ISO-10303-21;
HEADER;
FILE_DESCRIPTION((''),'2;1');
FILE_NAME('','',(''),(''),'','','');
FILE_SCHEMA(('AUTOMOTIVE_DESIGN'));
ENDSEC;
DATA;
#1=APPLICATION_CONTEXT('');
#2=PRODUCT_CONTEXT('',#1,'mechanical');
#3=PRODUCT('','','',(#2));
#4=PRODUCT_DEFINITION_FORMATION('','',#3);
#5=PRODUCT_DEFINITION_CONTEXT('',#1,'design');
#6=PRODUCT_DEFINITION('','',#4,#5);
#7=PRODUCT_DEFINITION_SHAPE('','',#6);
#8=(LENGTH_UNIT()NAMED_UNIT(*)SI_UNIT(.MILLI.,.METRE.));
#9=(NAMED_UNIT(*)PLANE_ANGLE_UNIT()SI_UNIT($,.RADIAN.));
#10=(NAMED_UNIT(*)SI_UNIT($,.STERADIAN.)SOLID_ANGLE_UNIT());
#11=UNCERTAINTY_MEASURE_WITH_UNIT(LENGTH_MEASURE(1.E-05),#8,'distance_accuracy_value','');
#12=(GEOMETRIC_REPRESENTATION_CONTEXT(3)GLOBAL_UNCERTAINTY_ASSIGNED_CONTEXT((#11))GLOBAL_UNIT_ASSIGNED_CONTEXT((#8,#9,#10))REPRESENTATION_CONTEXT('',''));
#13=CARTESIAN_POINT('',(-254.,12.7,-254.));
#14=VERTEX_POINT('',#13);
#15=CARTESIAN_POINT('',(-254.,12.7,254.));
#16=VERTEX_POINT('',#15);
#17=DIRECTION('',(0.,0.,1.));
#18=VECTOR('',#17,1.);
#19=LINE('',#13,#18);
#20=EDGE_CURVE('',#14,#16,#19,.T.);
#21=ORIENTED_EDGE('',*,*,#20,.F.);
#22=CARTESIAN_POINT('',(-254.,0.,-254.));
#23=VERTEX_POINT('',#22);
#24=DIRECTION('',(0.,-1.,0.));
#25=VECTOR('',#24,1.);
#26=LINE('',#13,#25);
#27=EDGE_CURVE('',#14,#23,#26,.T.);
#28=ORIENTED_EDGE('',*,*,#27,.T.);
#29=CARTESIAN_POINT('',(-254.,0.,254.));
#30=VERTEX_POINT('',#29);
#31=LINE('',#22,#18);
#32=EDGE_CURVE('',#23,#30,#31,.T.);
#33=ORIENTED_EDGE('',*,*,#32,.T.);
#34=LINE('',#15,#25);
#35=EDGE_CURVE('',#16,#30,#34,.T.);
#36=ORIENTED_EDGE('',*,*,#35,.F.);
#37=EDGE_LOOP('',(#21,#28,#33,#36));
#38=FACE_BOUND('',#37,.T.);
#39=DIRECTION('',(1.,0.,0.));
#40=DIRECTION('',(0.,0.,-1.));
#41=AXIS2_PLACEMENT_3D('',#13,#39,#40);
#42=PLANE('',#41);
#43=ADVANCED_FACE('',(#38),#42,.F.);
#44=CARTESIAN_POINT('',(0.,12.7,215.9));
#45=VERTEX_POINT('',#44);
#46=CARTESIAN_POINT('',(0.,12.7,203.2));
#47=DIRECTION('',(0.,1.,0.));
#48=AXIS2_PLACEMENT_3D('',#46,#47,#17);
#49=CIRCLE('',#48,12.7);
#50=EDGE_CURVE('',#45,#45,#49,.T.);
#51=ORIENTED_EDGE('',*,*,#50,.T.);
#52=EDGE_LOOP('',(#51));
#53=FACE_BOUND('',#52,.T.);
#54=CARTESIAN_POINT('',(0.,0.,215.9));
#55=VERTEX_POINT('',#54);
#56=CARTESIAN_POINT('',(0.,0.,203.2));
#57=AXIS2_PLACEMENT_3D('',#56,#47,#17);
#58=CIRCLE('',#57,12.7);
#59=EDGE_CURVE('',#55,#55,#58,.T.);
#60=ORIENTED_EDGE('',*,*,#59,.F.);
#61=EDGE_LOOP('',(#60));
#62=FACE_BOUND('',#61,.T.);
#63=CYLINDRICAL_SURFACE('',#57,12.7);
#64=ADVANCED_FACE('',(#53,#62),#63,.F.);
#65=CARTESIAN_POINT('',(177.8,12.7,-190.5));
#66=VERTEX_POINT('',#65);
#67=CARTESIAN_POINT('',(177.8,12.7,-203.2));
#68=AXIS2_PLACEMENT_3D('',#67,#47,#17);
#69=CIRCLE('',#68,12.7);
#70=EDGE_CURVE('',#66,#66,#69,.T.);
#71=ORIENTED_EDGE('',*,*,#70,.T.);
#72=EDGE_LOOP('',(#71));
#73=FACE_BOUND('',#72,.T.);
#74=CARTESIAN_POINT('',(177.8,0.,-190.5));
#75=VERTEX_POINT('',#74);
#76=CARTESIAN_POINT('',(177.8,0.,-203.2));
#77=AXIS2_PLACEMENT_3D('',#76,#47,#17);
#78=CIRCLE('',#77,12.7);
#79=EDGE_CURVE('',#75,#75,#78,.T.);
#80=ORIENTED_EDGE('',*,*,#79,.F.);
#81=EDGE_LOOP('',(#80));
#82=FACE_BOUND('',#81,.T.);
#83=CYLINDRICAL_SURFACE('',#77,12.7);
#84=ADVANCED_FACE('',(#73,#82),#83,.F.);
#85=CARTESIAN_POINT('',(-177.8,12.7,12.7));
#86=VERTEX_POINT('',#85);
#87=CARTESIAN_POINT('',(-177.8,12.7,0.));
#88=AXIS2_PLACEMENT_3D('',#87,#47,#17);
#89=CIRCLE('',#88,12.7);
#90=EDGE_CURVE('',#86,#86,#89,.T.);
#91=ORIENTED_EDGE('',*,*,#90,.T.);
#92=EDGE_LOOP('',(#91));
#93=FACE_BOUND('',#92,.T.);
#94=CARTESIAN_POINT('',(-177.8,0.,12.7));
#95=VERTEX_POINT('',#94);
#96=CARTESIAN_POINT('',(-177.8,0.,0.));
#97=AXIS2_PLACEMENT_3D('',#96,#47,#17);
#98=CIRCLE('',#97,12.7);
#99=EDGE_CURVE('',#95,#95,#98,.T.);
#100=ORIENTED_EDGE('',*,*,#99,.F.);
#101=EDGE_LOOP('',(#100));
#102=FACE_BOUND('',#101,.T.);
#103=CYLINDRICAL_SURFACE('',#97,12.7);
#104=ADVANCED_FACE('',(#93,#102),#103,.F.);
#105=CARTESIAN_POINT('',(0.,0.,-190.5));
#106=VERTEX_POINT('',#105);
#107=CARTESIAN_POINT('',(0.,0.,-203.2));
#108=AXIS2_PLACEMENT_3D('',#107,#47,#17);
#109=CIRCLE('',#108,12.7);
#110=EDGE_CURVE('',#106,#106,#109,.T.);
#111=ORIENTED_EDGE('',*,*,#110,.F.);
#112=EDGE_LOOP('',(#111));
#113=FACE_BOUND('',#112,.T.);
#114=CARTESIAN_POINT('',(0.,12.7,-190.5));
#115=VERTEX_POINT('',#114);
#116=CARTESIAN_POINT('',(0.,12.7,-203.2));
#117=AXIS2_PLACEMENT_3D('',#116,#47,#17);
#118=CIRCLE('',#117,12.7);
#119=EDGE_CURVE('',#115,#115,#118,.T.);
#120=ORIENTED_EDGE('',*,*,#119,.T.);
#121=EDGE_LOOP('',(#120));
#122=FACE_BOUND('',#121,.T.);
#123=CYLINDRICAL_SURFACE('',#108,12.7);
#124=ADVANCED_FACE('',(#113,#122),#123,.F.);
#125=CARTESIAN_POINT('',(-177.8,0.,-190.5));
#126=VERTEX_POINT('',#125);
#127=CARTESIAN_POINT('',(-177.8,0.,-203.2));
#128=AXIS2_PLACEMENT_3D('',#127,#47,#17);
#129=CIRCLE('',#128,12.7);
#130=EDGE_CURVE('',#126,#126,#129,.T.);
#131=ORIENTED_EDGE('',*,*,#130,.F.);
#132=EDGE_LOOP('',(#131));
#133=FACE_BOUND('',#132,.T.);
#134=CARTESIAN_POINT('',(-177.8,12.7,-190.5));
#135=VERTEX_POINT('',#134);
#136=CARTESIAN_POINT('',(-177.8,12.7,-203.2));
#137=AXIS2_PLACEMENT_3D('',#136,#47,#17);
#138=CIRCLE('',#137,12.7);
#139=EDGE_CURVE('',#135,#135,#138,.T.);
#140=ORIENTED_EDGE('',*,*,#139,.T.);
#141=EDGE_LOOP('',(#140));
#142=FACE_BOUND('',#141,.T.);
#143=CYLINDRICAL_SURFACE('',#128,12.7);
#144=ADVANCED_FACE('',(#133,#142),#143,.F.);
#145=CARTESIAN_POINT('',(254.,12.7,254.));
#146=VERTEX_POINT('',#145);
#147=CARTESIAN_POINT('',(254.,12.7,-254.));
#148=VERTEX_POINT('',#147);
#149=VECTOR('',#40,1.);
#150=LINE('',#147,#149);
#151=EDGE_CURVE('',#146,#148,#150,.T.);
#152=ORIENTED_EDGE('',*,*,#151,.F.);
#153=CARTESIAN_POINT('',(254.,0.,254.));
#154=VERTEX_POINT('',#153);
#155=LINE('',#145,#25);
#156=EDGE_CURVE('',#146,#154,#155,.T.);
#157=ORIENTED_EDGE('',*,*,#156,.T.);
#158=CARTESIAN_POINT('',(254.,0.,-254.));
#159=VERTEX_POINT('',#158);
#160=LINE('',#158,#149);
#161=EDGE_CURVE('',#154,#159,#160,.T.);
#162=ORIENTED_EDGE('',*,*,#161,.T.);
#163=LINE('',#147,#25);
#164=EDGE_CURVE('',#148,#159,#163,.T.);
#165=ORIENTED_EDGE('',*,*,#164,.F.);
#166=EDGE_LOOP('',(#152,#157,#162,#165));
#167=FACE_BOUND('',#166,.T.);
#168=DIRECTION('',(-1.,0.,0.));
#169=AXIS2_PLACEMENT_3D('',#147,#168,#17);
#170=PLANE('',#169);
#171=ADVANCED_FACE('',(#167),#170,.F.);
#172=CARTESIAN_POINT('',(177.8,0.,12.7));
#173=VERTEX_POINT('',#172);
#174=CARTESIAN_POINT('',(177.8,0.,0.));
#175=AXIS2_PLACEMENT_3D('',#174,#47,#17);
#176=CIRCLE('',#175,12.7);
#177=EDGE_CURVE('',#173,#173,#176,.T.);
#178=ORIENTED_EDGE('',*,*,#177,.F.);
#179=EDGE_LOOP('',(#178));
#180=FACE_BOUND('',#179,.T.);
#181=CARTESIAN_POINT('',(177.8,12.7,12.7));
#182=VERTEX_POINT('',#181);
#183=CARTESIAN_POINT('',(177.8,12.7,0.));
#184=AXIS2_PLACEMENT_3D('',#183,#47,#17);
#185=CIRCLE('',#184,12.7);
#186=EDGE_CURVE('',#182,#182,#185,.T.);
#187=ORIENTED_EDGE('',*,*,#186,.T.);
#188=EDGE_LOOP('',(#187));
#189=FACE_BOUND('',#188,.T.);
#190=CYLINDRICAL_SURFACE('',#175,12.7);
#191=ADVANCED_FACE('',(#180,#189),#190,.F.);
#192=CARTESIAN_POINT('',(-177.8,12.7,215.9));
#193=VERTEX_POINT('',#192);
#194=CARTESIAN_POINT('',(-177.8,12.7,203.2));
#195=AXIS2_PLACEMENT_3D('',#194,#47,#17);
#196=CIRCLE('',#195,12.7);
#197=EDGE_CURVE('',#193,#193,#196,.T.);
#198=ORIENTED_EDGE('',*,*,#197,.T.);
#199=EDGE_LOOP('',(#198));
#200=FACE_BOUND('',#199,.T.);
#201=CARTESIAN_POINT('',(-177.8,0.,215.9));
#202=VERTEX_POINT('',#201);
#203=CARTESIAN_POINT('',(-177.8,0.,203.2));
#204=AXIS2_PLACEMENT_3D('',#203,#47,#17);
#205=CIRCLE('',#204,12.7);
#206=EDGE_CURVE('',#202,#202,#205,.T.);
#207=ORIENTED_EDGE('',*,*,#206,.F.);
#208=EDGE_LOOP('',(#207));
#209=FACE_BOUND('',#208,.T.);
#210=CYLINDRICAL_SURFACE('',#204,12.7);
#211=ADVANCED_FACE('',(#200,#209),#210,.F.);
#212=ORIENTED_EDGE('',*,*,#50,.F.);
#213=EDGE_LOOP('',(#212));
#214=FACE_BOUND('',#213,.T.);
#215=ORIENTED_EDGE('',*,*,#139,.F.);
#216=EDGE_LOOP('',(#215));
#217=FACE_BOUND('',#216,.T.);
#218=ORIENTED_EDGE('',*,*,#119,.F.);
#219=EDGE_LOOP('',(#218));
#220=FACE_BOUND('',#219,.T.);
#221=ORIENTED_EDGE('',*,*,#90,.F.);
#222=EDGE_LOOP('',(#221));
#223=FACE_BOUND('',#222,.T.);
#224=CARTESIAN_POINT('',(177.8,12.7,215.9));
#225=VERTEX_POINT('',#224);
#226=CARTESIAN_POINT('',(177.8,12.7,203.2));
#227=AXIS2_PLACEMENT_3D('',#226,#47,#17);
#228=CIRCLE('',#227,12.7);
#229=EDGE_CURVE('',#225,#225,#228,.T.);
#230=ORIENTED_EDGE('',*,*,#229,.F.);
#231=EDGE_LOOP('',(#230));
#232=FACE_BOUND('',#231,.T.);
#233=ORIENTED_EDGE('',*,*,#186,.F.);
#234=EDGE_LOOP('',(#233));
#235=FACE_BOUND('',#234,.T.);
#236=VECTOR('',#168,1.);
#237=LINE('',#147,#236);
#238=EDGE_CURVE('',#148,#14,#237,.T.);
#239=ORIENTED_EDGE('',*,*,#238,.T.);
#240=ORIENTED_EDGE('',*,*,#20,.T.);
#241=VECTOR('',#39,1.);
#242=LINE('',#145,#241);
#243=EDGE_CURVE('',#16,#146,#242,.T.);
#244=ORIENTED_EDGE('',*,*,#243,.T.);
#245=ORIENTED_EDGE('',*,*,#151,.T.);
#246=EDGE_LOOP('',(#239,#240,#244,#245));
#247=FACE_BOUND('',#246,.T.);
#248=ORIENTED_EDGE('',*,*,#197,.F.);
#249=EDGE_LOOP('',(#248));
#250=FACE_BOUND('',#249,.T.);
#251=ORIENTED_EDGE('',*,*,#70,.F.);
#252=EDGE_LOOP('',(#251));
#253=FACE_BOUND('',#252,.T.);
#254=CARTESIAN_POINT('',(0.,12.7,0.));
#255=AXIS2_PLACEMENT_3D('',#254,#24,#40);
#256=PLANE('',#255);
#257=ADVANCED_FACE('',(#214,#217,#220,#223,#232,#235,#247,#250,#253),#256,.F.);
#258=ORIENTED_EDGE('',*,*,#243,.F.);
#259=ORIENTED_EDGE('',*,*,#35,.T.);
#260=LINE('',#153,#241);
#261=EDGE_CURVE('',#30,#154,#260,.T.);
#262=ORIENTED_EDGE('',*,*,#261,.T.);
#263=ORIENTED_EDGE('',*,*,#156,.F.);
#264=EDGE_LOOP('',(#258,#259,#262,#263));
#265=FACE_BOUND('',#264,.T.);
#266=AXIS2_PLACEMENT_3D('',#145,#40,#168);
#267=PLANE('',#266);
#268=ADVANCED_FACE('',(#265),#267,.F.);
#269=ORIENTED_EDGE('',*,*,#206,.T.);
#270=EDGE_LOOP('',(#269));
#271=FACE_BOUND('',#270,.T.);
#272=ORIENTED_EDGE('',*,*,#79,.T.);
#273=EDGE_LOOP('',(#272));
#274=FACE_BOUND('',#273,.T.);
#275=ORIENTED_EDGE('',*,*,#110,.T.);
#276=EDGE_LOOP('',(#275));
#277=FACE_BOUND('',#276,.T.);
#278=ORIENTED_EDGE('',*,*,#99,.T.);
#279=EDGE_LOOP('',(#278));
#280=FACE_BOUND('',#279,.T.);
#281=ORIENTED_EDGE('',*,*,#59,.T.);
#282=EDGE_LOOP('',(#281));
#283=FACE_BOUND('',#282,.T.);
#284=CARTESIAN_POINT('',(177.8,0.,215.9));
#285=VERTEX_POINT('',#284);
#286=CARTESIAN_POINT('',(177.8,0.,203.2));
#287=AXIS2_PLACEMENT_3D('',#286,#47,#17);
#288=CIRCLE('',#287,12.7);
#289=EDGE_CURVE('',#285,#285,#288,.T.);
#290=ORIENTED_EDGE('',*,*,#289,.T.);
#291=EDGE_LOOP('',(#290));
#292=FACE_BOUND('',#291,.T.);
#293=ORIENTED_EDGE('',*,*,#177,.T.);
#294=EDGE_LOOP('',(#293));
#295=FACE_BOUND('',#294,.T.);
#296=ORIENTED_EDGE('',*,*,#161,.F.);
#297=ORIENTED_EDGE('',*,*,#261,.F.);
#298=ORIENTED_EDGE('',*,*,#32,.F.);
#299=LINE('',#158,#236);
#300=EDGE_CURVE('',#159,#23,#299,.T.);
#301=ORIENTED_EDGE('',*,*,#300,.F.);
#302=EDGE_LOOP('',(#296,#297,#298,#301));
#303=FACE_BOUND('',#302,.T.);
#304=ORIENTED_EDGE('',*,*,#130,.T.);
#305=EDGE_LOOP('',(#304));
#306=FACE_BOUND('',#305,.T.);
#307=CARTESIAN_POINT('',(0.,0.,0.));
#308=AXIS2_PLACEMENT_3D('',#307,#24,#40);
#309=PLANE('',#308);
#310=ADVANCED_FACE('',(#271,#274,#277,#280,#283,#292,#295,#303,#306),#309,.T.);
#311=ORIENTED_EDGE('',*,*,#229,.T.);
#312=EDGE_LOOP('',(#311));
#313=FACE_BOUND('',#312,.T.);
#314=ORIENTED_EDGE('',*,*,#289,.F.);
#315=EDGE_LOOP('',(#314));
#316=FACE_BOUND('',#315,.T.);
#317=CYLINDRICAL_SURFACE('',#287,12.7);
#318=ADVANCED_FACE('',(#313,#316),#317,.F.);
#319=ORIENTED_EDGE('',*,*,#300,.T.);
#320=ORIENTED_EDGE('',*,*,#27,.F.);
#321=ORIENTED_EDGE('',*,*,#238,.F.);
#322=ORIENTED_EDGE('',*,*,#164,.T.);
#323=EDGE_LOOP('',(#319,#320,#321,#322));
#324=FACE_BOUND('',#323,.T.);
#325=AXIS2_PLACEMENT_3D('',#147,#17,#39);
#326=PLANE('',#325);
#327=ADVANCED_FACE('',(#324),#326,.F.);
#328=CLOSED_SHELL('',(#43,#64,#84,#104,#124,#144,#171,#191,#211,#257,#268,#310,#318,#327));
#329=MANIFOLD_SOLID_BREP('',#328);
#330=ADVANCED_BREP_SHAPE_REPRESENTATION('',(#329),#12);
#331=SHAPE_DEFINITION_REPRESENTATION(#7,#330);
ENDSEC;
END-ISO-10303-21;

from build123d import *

# Parameters (mm, degrees)
SKETCH1_W           = 508
SKETCH1_H           = 508
BOSS_EXTRUDE1_DEPTH = 12.7
SKETCH2_R           = 12.7
CUT_EXTRUDE1_DEPTH  = 360.434681131


with BuildPart() as part:
    # Sketch1 → Boss-Extrude1 (new body)
    with BuildSketch(Plane(origin=(0, 0, 0), x_dir=(1, 0, 0), z_dir=(0, 1, 0))):
        Rectangle(SKETCH1_W, SKETCH1_H)
    extrude(amount=BOSS_EXTRUDE1_DEPTH)

    # Sketch2 → Cut-Extrude1 (cut, through all)
    with BuildSketch(Plane(origin=(0, 12.7, 0), x_dir=(1, 0, 0), z_dir=(0, 1, 0))):
        with Locations(Location((-177.8, 203.2, 0), (0, 0, 270))):
            Circle(SKETCH2_R)
        with Locations(Location((0, 203.2, 0), (0, 0, 270))):
            Circle(SKETCH2_R)
        with Locations(Location((177.8, 203.2, 0), (0, 0, 270))):
            Circle(SKETCH2_R)
        with Locations(Location((-177.8, 0, 0), (0, 0, 270))):
            Circle(SKETCH2_R)
        with Locations(Location((177.8, 0, 0), (0, 0, 270))):
            Circle(SKETCH2_R)
        with Locations(Location((-177.8, -203.2, 0), (0, 0, 270))):
            Circle(SKETCH2_R)
        with Locations(Location((0, -203.2, 0), (0, 0, 270))):
            Circle(SKETCH2_R)
        with Locations(Location((177.8, -203.2, 0), (0, 0, 270))):
            Circle(SKETCH2_R)
    extrude(amount=-CUT_EXTRUDE1_DEPTH, mode=Mode.SUBTRACT)


solid = part.part
